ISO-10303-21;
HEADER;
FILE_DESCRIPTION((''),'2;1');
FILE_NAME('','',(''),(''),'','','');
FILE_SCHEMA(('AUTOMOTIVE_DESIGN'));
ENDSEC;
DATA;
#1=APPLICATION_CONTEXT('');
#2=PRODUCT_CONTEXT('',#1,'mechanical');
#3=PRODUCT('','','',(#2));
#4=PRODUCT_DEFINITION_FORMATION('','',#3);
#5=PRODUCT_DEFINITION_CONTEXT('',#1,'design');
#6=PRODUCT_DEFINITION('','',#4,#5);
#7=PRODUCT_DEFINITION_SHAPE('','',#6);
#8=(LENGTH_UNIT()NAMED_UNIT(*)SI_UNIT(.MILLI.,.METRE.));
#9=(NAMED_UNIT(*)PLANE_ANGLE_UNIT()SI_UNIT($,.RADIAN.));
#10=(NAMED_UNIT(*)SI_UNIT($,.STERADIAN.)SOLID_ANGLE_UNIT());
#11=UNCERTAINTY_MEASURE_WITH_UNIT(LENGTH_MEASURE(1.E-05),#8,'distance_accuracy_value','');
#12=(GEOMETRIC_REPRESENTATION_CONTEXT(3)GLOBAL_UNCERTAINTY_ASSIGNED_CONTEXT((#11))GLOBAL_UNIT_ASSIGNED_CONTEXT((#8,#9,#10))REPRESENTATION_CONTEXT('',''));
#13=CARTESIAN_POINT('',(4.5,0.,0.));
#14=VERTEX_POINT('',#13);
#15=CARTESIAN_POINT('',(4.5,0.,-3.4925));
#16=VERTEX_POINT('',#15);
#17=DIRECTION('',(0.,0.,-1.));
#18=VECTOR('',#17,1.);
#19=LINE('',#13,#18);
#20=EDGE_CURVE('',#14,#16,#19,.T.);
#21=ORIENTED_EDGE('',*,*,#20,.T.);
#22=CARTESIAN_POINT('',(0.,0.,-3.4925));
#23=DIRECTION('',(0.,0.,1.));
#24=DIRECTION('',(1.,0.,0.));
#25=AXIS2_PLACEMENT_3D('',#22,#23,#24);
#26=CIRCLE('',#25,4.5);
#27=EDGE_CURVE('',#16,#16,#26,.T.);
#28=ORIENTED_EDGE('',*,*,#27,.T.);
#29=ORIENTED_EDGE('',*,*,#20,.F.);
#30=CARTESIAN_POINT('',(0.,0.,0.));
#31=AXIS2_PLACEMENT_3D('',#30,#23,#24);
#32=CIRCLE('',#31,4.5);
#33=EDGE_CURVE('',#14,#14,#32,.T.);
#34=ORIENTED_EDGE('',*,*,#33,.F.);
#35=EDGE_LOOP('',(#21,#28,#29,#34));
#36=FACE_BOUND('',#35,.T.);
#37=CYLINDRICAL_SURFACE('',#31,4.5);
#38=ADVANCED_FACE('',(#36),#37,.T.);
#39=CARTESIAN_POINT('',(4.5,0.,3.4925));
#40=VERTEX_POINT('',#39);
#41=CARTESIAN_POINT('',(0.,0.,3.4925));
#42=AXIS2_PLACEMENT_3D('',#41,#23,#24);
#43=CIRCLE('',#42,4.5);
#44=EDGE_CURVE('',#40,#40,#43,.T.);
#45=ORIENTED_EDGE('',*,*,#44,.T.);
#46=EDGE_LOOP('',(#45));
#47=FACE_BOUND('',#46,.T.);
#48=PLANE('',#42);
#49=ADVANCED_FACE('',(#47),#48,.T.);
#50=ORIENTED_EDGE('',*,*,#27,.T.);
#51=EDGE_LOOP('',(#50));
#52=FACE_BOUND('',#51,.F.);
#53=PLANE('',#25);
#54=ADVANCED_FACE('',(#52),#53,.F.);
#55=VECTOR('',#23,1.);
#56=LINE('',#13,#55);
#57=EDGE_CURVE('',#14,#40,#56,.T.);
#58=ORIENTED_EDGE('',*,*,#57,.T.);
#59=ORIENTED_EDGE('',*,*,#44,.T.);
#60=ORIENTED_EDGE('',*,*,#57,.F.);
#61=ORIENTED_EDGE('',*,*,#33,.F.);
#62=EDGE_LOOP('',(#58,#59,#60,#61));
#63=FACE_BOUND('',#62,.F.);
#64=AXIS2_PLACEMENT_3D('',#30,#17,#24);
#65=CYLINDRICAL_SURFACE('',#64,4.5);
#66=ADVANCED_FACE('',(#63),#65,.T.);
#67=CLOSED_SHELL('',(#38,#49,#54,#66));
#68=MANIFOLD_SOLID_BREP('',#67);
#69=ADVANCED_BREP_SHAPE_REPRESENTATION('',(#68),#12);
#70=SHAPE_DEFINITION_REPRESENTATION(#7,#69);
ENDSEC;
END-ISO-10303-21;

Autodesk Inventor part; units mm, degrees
ref_plane "YZ Plane" through (0, 0, 0) normal (1, 0, 0) x (0, 1, 0)
ref_plane "XZ Plane" through (0, 0, 0) normal (0, 1, 0) x (-1, 0, 0)
ref_plane "XY Plane" through (0, 0, 0) normal (0, 0, 1) x (1, 0, 0)
sketch "Основной эскиз" plane through (0, 0, 0) normal (0, 0, 1) x (1, 0, 0)
  circle A0 centre (0, 0) radius 4.5
  dimension "d0" = 9
extrude "Шкив" add sketch "Основной эскиз" along normal mid plane 6.985
equation "\"d0\" = da_D"
equation "\"d1\" = da_B"
equation "\"da_D\" = 9"
equation "\"da_B\" = 6.985"
properties part number "Шкив гладкий2" material "Steel"
